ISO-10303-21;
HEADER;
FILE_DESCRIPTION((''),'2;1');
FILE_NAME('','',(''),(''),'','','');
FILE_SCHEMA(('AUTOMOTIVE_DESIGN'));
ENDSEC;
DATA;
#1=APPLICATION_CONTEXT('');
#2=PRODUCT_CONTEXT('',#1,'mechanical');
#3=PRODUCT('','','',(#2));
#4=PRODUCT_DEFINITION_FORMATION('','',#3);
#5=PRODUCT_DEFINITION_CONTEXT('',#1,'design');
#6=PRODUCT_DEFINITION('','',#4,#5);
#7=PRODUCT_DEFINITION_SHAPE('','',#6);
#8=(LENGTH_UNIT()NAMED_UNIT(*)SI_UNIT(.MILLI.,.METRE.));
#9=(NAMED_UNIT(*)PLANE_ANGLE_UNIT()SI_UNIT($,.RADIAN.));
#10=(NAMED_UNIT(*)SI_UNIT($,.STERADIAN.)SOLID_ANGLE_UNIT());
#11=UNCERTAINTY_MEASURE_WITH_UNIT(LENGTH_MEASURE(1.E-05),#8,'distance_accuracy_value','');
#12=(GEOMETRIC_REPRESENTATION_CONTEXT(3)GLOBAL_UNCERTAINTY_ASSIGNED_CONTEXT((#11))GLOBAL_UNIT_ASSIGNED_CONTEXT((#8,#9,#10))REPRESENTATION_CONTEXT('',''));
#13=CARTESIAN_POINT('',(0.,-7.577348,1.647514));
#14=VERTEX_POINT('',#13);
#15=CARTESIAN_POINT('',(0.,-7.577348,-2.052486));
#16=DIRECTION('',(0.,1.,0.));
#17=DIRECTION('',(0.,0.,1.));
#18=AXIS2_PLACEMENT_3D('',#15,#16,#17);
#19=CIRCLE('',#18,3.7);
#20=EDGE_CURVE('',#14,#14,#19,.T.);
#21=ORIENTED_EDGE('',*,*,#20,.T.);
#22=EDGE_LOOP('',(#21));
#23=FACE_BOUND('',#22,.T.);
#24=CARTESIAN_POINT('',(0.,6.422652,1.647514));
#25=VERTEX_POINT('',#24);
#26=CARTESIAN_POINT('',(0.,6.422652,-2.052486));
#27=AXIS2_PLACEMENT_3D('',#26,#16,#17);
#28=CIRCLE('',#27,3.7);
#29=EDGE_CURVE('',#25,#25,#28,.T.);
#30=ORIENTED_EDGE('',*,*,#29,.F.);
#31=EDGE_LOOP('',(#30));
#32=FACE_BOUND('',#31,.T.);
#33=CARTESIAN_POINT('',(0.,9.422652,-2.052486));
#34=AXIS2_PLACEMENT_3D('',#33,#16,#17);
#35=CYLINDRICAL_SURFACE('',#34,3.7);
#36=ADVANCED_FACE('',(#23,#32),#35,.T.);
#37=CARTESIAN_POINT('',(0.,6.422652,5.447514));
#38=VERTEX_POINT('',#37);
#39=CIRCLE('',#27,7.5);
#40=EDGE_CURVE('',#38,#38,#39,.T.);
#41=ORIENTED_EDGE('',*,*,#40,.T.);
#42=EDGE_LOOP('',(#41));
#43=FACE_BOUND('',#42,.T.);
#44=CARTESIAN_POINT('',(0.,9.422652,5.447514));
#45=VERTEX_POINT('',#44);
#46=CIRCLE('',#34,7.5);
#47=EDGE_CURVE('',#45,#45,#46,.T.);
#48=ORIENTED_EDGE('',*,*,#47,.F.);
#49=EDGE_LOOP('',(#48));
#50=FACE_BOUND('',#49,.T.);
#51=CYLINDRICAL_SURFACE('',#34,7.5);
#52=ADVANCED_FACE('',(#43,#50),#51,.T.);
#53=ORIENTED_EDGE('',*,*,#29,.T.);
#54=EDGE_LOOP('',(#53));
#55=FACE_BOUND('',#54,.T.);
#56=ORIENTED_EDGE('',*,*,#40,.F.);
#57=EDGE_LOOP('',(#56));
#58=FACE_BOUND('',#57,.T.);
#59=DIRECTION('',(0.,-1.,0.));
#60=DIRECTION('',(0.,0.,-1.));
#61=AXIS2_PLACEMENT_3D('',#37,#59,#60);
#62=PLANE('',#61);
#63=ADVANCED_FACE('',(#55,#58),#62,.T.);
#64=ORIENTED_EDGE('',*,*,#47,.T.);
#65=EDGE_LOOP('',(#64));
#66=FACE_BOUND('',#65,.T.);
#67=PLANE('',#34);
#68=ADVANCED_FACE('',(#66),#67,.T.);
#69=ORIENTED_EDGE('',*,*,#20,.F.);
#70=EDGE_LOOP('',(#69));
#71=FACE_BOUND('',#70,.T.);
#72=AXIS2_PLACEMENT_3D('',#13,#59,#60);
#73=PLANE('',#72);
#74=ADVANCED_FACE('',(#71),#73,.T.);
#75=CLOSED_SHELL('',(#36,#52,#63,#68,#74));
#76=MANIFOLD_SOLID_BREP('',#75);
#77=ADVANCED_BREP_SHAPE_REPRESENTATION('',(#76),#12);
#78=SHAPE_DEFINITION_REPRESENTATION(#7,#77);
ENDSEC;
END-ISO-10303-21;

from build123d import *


with BuildPart() as part:
    # Sketch2 → Revolve1 (revolve)
    with BuildSketch(Plane(origin=(0, 0, 0), x_dir=(0, 0, -1), z_dir=(1, 0, 0))):
        Polygon((2.052486188, 9.422651934), (-5.447513812, 9.422651934), (-5.447513812, 6.422651934), (-1.647513812, 6.422651934), (-1.647513812, -7.577348066), (2.052486188, -7.577348066), align=None)
    revolve(axis=Axis((0, 9.422651934, -2.052486188), (0, -1, 0)))


solid = part.part
